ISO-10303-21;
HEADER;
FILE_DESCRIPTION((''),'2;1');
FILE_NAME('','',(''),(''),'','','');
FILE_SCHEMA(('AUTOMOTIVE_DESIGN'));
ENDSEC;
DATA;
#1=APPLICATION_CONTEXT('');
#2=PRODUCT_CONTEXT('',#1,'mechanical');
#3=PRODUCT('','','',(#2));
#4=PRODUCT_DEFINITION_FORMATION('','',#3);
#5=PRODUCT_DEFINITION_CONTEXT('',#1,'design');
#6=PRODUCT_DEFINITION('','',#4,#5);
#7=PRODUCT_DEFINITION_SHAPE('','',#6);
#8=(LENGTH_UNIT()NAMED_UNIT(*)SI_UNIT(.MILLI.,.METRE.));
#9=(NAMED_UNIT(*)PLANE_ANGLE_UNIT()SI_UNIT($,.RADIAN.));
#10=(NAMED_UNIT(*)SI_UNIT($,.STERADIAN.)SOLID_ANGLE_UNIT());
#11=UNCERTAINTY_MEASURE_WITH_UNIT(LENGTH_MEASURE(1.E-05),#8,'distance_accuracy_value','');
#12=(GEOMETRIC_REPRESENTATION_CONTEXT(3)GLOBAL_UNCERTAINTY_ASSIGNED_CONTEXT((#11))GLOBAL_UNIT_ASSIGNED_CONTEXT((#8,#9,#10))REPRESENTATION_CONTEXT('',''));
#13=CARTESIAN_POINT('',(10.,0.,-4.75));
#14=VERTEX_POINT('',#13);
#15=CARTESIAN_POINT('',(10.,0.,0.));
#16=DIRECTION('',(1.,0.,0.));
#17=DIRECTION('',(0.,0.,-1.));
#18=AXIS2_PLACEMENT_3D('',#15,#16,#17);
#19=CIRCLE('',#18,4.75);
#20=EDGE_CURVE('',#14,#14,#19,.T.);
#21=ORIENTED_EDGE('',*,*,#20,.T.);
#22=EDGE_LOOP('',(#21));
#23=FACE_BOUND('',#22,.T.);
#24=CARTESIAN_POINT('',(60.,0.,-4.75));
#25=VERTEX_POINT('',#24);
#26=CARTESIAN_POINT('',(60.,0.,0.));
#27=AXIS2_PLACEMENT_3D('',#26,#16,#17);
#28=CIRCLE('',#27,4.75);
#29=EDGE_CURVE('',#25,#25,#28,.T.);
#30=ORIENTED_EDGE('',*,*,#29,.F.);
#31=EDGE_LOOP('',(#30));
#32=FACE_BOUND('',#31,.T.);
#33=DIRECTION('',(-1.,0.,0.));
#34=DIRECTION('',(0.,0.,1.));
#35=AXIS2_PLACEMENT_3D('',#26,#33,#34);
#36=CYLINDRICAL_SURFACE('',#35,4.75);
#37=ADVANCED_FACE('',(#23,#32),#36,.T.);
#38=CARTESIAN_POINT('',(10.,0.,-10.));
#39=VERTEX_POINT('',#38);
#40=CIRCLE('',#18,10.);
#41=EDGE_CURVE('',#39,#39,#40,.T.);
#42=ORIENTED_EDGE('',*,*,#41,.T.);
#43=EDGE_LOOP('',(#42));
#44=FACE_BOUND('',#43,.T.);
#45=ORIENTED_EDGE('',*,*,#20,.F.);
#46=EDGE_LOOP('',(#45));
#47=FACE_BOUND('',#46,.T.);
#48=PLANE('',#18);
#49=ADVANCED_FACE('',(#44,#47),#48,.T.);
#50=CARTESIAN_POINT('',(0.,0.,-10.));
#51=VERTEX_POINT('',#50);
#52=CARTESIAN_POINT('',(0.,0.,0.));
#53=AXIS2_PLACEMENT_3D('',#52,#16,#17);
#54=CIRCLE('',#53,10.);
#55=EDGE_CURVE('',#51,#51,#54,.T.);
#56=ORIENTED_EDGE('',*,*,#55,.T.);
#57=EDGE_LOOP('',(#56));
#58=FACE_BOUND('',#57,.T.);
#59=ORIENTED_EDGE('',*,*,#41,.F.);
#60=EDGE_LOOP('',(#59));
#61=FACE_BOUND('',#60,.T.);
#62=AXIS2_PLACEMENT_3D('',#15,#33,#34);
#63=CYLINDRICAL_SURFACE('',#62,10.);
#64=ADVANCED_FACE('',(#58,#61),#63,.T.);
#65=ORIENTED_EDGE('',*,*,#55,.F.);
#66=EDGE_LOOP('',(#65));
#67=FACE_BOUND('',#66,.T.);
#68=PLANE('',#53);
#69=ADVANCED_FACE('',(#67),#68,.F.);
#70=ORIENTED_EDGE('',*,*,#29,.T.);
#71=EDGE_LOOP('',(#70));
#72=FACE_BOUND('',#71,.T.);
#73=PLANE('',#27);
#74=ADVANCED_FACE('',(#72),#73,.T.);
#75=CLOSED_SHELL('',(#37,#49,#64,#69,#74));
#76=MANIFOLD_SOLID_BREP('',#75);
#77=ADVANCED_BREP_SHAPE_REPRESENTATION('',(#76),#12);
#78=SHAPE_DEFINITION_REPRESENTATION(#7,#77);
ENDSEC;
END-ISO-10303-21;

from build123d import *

# Parameters (mm, degrees)
SKETCH1_R           = 10
BOSS_EXTRUDE1_DEPTH = 10
SKETCH2_R           = 4.75
BOSS_EXTRUDE2_DEPTH = 50


with BuildPart() as part:
    # Sketch1 → Boss-Extrude1 (new body)
    with BuildSketch(Plane(origin=(0, 0, 0), x_dir=(0, 0, -1), z_dir=(1, 0, 0))):
        Circle(SKETCH1_R)
    extrude(amount=BOSS_EXTRUDE1_DEPTH)

    # Sketch2 → Boss-Extrude2 (add)
    with BuildSketch(Plane(origin=(10, 0, 0), x_dir=(0, 0, -1), z_dir=(1, 0, 0))):
        Circle(SKETCH2_R)
    extrude(amount=BOSS_EXTRUDE2_DEPTH)


solid = part.part
